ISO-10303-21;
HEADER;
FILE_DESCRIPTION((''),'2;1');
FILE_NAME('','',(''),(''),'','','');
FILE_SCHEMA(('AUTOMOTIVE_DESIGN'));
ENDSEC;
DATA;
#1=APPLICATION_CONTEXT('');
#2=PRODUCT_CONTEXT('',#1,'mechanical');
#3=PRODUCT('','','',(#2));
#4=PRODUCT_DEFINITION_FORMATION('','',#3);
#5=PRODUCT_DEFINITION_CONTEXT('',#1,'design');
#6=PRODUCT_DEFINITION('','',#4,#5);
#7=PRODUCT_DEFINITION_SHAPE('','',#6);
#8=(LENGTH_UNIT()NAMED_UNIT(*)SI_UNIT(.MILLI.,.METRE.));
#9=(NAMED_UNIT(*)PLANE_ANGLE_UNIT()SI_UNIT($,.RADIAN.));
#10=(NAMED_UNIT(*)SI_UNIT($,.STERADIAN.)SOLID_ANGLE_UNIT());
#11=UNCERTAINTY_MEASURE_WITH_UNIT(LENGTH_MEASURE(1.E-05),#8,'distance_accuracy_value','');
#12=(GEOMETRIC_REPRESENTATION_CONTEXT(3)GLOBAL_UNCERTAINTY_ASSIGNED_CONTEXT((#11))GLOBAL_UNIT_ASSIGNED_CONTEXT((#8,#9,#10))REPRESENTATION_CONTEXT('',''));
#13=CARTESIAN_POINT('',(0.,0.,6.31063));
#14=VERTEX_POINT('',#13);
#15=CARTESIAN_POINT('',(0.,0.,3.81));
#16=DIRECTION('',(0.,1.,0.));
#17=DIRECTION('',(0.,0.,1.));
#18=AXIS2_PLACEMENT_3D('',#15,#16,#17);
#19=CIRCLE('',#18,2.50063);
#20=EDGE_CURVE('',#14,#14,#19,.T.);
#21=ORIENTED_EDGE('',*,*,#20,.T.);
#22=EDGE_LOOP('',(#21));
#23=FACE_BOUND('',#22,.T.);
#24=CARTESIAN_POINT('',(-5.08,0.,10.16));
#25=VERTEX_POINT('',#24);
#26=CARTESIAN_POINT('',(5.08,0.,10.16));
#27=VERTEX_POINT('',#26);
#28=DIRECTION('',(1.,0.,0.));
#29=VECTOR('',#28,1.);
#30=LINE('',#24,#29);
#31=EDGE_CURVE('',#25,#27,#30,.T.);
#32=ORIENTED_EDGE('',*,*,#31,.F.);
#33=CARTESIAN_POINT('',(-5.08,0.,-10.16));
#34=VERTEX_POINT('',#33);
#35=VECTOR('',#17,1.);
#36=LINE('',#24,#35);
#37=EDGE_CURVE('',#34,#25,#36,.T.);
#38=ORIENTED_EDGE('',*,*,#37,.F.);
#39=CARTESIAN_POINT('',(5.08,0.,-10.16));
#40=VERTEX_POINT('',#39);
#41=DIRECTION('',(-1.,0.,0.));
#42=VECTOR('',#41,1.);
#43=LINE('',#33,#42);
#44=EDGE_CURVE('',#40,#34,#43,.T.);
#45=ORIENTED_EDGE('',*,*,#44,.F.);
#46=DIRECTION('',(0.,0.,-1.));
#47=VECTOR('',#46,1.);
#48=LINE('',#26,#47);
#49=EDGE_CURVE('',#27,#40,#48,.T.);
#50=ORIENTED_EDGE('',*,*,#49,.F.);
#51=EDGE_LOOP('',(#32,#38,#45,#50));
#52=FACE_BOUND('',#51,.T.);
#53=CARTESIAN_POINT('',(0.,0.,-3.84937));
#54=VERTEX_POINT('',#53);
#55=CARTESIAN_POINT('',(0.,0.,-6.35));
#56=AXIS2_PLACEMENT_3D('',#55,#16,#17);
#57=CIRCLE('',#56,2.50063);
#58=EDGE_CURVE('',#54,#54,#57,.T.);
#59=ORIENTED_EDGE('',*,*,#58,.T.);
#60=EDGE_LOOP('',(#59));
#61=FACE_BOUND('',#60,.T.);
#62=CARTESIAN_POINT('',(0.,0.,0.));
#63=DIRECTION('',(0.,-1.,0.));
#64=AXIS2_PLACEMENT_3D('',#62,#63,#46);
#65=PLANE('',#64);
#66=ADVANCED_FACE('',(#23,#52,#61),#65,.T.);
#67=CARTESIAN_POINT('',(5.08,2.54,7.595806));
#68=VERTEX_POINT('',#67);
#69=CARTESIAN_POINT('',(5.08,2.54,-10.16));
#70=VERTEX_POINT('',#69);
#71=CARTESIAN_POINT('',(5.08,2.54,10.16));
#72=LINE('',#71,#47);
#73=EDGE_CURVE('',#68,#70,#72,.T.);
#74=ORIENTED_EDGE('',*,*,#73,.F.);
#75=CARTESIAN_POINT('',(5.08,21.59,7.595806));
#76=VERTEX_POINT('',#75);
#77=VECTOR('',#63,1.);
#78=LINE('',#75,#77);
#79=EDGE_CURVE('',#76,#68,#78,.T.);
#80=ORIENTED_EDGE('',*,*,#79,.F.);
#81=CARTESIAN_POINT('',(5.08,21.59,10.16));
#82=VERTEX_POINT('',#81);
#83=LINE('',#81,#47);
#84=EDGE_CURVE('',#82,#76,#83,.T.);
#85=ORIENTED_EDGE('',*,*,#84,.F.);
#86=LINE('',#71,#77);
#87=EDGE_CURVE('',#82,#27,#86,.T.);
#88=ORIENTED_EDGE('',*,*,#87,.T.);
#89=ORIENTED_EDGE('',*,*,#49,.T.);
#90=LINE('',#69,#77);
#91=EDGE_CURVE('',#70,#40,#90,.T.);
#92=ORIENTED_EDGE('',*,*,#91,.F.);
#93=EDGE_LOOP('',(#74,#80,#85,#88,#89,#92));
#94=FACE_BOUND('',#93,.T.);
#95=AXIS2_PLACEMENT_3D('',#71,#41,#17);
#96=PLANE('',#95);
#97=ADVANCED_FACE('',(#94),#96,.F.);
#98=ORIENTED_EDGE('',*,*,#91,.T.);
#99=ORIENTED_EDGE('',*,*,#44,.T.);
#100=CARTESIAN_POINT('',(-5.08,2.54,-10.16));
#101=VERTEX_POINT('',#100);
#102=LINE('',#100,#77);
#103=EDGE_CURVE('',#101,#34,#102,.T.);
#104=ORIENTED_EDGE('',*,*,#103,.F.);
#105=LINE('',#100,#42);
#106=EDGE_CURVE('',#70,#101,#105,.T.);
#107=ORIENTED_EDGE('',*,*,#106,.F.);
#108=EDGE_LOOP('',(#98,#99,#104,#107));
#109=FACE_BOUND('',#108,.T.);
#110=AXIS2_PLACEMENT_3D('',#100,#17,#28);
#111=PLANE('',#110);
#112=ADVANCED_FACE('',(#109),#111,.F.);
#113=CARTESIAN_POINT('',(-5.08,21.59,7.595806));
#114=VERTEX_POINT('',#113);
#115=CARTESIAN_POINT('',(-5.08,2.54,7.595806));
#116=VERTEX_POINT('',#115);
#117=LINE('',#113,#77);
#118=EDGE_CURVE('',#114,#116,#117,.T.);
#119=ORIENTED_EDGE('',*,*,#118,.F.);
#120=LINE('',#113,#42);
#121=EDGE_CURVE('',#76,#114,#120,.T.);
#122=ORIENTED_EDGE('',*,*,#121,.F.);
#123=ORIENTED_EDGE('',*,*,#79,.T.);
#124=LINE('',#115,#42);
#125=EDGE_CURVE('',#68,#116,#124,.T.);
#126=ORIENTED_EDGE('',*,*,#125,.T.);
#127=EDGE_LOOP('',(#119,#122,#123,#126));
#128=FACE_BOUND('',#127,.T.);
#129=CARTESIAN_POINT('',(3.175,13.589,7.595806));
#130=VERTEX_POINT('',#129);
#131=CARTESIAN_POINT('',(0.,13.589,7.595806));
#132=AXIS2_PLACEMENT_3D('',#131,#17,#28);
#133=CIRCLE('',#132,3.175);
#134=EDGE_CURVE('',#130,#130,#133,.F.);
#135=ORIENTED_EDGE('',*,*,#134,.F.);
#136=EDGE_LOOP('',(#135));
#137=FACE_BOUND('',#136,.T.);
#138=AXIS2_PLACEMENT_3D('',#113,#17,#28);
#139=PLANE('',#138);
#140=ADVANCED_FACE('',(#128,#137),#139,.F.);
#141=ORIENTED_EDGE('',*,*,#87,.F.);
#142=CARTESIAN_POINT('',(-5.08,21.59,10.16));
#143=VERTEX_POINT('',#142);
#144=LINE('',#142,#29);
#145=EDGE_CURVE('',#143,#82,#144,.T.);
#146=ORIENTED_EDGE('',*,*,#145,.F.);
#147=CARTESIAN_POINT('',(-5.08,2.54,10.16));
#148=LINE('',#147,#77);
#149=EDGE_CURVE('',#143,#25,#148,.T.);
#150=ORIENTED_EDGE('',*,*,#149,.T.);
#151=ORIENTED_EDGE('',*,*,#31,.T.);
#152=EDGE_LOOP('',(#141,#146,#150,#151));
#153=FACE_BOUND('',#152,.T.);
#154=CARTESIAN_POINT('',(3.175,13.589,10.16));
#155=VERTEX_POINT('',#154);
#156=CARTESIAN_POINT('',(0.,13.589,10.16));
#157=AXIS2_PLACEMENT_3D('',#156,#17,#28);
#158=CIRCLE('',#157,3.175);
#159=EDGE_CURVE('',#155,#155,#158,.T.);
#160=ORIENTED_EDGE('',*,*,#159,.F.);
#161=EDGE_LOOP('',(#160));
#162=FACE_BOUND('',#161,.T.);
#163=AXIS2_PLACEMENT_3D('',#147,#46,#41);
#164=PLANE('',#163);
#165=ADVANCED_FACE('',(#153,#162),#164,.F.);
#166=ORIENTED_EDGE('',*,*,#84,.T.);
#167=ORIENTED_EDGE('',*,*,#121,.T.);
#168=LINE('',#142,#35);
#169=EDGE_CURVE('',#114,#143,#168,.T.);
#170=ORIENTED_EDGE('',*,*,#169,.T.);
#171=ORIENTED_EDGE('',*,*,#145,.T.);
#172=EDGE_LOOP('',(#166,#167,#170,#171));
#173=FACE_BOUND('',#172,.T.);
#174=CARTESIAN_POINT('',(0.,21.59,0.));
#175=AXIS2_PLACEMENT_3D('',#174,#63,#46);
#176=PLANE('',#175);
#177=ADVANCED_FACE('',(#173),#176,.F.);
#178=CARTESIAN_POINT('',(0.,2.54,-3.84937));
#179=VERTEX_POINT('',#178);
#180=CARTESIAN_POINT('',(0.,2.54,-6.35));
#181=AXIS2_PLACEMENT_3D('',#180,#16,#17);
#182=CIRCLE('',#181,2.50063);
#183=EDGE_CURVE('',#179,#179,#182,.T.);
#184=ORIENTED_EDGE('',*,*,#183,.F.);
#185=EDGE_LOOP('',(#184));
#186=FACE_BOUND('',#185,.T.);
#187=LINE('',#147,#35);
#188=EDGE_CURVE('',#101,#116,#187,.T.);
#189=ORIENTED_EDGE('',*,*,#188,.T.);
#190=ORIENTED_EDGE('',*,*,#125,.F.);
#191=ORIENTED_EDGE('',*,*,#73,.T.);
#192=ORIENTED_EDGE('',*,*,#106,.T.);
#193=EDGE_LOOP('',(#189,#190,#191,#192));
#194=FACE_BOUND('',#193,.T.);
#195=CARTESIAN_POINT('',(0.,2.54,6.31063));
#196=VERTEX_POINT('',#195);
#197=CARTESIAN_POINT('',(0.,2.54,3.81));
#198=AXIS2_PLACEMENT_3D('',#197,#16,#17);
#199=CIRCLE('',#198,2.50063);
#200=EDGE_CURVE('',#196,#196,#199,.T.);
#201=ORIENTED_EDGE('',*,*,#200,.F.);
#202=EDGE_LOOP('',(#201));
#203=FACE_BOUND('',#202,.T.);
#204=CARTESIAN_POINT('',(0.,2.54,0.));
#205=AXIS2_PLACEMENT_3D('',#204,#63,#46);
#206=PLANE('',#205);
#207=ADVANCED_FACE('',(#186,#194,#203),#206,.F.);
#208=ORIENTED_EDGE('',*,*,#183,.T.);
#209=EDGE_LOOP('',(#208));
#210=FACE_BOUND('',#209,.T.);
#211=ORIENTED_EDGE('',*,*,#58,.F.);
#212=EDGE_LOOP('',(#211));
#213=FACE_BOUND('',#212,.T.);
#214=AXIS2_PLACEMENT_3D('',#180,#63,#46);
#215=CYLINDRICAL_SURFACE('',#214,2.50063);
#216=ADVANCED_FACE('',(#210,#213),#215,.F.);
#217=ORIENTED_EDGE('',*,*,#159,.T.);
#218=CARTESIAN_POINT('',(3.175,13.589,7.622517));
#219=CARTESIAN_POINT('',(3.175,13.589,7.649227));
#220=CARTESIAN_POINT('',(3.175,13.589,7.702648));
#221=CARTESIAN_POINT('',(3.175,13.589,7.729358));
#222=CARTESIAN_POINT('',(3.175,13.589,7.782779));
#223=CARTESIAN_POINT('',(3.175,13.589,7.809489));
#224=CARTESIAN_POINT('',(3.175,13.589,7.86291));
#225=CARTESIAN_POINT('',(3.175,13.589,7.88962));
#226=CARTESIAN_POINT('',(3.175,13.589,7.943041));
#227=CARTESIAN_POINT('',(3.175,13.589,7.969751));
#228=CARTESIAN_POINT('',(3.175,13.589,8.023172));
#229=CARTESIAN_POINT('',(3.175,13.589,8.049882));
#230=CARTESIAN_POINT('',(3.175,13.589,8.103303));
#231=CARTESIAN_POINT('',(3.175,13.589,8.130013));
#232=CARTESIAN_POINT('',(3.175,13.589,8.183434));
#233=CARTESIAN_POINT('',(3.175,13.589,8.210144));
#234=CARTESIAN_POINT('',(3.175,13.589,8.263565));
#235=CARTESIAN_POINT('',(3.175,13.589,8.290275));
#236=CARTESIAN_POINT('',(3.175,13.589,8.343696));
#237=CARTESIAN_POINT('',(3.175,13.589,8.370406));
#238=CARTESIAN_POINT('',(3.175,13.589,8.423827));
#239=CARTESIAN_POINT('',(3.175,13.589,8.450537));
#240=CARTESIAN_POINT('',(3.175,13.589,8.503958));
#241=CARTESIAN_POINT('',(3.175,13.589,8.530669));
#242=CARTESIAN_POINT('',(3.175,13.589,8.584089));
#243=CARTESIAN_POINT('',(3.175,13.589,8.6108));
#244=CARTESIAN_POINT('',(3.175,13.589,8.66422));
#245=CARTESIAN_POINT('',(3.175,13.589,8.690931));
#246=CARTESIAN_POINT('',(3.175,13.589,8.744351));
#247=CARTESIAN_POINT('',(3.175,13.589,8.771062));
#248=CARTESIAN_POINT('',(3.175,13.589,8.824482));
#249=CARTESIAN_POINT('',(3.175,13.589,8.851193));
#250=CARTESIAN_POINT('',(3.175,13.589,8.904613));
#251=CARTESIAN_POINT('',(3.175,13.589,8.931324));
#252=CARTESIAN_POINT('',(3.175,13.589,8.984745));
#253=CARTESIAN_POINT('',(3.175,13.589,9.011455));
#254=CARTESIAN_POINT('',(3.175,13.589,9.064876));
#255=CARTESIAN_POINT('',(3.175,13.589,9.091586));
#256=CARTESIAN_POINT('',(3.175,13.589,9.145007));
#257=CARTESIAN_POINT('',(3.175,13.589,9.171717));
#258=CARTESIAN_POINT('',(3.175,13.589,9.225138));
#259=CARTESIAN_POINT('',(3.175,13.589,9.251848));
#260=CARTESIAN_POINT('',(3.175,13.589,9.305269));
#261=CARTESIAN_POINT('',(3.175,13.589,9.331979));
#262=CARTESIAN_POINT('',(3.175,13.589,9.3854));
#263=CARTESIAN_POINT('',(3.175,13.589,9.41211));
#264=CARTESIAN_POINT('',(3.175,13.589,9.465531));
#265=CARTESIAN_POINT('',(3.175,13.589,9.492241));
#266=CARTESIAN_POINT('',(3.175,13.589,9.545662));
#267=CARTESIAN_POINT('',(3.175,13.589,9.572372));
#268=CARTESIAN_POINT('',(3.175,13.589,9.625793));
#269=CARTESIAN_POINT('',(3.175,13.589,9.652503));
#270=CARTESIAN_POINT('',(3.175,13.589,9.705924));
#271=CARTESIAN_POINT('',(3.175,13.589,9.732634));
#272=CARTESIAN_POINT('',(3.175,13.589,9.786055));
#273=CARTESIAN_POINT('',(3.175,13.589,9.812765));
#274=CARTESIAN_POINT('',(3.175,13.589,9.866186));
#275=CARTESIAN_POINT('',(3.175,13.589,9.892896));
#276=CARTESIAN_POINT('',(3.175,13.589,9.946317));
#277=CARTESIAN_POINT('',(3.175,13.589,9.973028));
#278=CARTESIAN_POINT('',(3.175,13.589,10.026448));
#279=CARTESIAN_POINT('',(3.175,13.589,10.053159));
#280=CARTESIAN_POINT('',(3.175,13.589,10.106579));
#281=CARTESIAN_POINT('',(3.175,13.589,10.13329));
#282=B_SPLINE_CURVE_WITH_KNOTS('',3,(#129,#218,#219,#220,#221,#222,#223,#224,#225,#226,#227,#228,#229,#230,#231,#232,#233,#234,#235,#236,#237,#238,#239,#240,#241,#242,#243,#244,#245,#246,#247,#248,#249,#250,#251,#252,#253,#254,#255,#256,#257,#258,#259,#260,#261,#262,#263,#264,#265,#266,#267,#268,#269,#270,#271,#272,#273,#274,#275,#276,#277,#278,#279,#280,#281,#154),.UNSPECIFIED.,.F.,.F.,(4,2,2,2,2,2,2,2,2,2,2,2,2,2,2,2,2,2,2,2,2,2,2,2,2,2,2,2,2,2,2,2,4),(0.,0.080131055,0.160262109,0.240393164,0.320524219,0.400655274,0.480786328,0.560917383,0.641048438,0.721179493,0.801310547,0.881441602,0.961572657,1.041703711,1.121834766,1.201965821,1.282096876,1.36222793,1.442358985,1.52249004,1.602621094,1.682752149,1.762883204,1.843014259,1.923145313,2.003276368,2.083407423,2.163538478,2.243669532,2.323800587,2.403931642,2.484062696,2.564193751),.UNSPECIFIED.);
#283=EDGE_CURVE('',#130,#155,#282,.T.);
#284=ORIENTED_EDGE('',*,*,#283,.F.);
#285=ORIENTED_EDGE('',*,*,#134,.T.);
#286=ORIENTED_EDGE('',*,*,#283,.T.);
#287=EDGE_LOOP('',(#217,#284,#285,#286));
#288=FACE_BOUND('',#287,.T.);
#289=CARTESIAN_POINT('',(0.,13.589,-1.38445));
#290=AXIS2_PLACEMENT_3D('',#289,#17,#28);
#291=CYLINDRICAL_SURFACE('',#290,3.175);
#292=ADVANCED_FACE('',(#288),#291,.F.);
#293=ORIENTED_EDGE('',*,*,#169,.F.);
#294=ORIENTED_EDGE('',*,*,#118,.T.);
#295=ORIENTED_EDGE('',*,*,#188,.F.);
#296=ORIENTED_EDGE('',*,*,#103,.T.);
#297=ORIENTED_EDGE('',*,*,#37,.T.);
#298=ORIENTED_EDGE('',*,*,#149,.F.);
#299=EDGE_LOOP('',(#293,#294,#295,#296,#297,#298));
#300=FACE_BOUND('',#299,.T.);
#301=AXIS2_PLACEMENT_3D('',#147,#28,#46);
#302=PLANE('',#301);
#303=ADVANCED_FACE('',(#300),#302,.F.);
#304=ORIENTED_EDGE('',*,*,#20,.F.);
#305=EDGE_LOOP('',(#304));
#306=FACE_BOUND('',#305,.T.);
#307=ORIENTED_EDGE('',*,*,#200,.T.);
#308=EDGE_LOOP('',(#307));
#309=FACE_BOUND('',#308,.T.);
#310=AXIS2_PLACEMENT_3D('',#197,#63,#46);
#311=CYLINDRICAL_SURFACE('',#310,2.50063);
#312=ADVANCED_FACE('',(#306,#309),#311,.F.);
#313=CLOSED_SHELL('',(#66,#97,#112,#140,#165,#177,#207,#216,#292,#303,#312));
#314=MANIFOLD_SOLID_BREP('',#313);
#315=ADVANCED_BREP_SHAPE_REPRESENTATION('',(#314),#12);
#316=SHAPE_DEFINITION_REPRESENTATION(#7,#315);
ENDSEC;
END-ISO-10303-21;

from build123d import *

# Parameters (mm, degrees)
SKETCH1_W           = 10.16
SKETCH1_H           = 20.32
SKETCH1_R           = 2.50063
BOSS_EXTRUDE1_DEPTH = 2.54
SKETCH2_W           = 10.16
SKETCH2_H           = 2.564193751
BOSS_EXTRUDE2_DEPTH = 19.05
SKETCH3_R           = 3.175
CUT_EXTRUDE1_DEPTH  = 2.564193751


with BuildPart() as part:
    # Sketch1 → Boss-Extrude1 (new body)
    with BuildSketch(Plane(origin=(0, 0, 0), x_dir=(1, 0, 0), z_dir=(0, 1, 0))):
        Rectangle(SKETCH1_W, SKETCH1_H)
        with Locations(Location((0, 6.35, 0), (0, 0, 270))):
            Circle(SKETCH1_R, mode=Mode.SUBTRACT)
        with Locations(Location((0, -3.81, 0), (0, 0, 270))):
            Circle(SKETCH1_R, mode=Mode.SUBTRACT)
    extrude(amount=BOSS_EXTRUDE1_DEPTH)

    # Sketch2 → Boss-Extrude2 (add)
    with BuildSketch(Plane(origin=(0, 2.54, 0), x_dir=(1, 0, 0), z_dir=(0, 1, 0))):
        with Locations((0, -8.877903125)):
            Rectangle(SKETCH2_W, SKETCH2_H)
    extrude(amount=BOSS_EXTRUDE2_DEPTH)

    # Sketch3 → Cut-Extrude1 (cut)
    with BuildSketch(Plane.XY.offset(10.16)):
        with Locations((0, 13.589)):
            Circle(SKETCH3_R)
    extrude(amount=-CUT_EXTRUDE1_DEPTH, mode=Mode.SUBTRACT)


solid = part.part
